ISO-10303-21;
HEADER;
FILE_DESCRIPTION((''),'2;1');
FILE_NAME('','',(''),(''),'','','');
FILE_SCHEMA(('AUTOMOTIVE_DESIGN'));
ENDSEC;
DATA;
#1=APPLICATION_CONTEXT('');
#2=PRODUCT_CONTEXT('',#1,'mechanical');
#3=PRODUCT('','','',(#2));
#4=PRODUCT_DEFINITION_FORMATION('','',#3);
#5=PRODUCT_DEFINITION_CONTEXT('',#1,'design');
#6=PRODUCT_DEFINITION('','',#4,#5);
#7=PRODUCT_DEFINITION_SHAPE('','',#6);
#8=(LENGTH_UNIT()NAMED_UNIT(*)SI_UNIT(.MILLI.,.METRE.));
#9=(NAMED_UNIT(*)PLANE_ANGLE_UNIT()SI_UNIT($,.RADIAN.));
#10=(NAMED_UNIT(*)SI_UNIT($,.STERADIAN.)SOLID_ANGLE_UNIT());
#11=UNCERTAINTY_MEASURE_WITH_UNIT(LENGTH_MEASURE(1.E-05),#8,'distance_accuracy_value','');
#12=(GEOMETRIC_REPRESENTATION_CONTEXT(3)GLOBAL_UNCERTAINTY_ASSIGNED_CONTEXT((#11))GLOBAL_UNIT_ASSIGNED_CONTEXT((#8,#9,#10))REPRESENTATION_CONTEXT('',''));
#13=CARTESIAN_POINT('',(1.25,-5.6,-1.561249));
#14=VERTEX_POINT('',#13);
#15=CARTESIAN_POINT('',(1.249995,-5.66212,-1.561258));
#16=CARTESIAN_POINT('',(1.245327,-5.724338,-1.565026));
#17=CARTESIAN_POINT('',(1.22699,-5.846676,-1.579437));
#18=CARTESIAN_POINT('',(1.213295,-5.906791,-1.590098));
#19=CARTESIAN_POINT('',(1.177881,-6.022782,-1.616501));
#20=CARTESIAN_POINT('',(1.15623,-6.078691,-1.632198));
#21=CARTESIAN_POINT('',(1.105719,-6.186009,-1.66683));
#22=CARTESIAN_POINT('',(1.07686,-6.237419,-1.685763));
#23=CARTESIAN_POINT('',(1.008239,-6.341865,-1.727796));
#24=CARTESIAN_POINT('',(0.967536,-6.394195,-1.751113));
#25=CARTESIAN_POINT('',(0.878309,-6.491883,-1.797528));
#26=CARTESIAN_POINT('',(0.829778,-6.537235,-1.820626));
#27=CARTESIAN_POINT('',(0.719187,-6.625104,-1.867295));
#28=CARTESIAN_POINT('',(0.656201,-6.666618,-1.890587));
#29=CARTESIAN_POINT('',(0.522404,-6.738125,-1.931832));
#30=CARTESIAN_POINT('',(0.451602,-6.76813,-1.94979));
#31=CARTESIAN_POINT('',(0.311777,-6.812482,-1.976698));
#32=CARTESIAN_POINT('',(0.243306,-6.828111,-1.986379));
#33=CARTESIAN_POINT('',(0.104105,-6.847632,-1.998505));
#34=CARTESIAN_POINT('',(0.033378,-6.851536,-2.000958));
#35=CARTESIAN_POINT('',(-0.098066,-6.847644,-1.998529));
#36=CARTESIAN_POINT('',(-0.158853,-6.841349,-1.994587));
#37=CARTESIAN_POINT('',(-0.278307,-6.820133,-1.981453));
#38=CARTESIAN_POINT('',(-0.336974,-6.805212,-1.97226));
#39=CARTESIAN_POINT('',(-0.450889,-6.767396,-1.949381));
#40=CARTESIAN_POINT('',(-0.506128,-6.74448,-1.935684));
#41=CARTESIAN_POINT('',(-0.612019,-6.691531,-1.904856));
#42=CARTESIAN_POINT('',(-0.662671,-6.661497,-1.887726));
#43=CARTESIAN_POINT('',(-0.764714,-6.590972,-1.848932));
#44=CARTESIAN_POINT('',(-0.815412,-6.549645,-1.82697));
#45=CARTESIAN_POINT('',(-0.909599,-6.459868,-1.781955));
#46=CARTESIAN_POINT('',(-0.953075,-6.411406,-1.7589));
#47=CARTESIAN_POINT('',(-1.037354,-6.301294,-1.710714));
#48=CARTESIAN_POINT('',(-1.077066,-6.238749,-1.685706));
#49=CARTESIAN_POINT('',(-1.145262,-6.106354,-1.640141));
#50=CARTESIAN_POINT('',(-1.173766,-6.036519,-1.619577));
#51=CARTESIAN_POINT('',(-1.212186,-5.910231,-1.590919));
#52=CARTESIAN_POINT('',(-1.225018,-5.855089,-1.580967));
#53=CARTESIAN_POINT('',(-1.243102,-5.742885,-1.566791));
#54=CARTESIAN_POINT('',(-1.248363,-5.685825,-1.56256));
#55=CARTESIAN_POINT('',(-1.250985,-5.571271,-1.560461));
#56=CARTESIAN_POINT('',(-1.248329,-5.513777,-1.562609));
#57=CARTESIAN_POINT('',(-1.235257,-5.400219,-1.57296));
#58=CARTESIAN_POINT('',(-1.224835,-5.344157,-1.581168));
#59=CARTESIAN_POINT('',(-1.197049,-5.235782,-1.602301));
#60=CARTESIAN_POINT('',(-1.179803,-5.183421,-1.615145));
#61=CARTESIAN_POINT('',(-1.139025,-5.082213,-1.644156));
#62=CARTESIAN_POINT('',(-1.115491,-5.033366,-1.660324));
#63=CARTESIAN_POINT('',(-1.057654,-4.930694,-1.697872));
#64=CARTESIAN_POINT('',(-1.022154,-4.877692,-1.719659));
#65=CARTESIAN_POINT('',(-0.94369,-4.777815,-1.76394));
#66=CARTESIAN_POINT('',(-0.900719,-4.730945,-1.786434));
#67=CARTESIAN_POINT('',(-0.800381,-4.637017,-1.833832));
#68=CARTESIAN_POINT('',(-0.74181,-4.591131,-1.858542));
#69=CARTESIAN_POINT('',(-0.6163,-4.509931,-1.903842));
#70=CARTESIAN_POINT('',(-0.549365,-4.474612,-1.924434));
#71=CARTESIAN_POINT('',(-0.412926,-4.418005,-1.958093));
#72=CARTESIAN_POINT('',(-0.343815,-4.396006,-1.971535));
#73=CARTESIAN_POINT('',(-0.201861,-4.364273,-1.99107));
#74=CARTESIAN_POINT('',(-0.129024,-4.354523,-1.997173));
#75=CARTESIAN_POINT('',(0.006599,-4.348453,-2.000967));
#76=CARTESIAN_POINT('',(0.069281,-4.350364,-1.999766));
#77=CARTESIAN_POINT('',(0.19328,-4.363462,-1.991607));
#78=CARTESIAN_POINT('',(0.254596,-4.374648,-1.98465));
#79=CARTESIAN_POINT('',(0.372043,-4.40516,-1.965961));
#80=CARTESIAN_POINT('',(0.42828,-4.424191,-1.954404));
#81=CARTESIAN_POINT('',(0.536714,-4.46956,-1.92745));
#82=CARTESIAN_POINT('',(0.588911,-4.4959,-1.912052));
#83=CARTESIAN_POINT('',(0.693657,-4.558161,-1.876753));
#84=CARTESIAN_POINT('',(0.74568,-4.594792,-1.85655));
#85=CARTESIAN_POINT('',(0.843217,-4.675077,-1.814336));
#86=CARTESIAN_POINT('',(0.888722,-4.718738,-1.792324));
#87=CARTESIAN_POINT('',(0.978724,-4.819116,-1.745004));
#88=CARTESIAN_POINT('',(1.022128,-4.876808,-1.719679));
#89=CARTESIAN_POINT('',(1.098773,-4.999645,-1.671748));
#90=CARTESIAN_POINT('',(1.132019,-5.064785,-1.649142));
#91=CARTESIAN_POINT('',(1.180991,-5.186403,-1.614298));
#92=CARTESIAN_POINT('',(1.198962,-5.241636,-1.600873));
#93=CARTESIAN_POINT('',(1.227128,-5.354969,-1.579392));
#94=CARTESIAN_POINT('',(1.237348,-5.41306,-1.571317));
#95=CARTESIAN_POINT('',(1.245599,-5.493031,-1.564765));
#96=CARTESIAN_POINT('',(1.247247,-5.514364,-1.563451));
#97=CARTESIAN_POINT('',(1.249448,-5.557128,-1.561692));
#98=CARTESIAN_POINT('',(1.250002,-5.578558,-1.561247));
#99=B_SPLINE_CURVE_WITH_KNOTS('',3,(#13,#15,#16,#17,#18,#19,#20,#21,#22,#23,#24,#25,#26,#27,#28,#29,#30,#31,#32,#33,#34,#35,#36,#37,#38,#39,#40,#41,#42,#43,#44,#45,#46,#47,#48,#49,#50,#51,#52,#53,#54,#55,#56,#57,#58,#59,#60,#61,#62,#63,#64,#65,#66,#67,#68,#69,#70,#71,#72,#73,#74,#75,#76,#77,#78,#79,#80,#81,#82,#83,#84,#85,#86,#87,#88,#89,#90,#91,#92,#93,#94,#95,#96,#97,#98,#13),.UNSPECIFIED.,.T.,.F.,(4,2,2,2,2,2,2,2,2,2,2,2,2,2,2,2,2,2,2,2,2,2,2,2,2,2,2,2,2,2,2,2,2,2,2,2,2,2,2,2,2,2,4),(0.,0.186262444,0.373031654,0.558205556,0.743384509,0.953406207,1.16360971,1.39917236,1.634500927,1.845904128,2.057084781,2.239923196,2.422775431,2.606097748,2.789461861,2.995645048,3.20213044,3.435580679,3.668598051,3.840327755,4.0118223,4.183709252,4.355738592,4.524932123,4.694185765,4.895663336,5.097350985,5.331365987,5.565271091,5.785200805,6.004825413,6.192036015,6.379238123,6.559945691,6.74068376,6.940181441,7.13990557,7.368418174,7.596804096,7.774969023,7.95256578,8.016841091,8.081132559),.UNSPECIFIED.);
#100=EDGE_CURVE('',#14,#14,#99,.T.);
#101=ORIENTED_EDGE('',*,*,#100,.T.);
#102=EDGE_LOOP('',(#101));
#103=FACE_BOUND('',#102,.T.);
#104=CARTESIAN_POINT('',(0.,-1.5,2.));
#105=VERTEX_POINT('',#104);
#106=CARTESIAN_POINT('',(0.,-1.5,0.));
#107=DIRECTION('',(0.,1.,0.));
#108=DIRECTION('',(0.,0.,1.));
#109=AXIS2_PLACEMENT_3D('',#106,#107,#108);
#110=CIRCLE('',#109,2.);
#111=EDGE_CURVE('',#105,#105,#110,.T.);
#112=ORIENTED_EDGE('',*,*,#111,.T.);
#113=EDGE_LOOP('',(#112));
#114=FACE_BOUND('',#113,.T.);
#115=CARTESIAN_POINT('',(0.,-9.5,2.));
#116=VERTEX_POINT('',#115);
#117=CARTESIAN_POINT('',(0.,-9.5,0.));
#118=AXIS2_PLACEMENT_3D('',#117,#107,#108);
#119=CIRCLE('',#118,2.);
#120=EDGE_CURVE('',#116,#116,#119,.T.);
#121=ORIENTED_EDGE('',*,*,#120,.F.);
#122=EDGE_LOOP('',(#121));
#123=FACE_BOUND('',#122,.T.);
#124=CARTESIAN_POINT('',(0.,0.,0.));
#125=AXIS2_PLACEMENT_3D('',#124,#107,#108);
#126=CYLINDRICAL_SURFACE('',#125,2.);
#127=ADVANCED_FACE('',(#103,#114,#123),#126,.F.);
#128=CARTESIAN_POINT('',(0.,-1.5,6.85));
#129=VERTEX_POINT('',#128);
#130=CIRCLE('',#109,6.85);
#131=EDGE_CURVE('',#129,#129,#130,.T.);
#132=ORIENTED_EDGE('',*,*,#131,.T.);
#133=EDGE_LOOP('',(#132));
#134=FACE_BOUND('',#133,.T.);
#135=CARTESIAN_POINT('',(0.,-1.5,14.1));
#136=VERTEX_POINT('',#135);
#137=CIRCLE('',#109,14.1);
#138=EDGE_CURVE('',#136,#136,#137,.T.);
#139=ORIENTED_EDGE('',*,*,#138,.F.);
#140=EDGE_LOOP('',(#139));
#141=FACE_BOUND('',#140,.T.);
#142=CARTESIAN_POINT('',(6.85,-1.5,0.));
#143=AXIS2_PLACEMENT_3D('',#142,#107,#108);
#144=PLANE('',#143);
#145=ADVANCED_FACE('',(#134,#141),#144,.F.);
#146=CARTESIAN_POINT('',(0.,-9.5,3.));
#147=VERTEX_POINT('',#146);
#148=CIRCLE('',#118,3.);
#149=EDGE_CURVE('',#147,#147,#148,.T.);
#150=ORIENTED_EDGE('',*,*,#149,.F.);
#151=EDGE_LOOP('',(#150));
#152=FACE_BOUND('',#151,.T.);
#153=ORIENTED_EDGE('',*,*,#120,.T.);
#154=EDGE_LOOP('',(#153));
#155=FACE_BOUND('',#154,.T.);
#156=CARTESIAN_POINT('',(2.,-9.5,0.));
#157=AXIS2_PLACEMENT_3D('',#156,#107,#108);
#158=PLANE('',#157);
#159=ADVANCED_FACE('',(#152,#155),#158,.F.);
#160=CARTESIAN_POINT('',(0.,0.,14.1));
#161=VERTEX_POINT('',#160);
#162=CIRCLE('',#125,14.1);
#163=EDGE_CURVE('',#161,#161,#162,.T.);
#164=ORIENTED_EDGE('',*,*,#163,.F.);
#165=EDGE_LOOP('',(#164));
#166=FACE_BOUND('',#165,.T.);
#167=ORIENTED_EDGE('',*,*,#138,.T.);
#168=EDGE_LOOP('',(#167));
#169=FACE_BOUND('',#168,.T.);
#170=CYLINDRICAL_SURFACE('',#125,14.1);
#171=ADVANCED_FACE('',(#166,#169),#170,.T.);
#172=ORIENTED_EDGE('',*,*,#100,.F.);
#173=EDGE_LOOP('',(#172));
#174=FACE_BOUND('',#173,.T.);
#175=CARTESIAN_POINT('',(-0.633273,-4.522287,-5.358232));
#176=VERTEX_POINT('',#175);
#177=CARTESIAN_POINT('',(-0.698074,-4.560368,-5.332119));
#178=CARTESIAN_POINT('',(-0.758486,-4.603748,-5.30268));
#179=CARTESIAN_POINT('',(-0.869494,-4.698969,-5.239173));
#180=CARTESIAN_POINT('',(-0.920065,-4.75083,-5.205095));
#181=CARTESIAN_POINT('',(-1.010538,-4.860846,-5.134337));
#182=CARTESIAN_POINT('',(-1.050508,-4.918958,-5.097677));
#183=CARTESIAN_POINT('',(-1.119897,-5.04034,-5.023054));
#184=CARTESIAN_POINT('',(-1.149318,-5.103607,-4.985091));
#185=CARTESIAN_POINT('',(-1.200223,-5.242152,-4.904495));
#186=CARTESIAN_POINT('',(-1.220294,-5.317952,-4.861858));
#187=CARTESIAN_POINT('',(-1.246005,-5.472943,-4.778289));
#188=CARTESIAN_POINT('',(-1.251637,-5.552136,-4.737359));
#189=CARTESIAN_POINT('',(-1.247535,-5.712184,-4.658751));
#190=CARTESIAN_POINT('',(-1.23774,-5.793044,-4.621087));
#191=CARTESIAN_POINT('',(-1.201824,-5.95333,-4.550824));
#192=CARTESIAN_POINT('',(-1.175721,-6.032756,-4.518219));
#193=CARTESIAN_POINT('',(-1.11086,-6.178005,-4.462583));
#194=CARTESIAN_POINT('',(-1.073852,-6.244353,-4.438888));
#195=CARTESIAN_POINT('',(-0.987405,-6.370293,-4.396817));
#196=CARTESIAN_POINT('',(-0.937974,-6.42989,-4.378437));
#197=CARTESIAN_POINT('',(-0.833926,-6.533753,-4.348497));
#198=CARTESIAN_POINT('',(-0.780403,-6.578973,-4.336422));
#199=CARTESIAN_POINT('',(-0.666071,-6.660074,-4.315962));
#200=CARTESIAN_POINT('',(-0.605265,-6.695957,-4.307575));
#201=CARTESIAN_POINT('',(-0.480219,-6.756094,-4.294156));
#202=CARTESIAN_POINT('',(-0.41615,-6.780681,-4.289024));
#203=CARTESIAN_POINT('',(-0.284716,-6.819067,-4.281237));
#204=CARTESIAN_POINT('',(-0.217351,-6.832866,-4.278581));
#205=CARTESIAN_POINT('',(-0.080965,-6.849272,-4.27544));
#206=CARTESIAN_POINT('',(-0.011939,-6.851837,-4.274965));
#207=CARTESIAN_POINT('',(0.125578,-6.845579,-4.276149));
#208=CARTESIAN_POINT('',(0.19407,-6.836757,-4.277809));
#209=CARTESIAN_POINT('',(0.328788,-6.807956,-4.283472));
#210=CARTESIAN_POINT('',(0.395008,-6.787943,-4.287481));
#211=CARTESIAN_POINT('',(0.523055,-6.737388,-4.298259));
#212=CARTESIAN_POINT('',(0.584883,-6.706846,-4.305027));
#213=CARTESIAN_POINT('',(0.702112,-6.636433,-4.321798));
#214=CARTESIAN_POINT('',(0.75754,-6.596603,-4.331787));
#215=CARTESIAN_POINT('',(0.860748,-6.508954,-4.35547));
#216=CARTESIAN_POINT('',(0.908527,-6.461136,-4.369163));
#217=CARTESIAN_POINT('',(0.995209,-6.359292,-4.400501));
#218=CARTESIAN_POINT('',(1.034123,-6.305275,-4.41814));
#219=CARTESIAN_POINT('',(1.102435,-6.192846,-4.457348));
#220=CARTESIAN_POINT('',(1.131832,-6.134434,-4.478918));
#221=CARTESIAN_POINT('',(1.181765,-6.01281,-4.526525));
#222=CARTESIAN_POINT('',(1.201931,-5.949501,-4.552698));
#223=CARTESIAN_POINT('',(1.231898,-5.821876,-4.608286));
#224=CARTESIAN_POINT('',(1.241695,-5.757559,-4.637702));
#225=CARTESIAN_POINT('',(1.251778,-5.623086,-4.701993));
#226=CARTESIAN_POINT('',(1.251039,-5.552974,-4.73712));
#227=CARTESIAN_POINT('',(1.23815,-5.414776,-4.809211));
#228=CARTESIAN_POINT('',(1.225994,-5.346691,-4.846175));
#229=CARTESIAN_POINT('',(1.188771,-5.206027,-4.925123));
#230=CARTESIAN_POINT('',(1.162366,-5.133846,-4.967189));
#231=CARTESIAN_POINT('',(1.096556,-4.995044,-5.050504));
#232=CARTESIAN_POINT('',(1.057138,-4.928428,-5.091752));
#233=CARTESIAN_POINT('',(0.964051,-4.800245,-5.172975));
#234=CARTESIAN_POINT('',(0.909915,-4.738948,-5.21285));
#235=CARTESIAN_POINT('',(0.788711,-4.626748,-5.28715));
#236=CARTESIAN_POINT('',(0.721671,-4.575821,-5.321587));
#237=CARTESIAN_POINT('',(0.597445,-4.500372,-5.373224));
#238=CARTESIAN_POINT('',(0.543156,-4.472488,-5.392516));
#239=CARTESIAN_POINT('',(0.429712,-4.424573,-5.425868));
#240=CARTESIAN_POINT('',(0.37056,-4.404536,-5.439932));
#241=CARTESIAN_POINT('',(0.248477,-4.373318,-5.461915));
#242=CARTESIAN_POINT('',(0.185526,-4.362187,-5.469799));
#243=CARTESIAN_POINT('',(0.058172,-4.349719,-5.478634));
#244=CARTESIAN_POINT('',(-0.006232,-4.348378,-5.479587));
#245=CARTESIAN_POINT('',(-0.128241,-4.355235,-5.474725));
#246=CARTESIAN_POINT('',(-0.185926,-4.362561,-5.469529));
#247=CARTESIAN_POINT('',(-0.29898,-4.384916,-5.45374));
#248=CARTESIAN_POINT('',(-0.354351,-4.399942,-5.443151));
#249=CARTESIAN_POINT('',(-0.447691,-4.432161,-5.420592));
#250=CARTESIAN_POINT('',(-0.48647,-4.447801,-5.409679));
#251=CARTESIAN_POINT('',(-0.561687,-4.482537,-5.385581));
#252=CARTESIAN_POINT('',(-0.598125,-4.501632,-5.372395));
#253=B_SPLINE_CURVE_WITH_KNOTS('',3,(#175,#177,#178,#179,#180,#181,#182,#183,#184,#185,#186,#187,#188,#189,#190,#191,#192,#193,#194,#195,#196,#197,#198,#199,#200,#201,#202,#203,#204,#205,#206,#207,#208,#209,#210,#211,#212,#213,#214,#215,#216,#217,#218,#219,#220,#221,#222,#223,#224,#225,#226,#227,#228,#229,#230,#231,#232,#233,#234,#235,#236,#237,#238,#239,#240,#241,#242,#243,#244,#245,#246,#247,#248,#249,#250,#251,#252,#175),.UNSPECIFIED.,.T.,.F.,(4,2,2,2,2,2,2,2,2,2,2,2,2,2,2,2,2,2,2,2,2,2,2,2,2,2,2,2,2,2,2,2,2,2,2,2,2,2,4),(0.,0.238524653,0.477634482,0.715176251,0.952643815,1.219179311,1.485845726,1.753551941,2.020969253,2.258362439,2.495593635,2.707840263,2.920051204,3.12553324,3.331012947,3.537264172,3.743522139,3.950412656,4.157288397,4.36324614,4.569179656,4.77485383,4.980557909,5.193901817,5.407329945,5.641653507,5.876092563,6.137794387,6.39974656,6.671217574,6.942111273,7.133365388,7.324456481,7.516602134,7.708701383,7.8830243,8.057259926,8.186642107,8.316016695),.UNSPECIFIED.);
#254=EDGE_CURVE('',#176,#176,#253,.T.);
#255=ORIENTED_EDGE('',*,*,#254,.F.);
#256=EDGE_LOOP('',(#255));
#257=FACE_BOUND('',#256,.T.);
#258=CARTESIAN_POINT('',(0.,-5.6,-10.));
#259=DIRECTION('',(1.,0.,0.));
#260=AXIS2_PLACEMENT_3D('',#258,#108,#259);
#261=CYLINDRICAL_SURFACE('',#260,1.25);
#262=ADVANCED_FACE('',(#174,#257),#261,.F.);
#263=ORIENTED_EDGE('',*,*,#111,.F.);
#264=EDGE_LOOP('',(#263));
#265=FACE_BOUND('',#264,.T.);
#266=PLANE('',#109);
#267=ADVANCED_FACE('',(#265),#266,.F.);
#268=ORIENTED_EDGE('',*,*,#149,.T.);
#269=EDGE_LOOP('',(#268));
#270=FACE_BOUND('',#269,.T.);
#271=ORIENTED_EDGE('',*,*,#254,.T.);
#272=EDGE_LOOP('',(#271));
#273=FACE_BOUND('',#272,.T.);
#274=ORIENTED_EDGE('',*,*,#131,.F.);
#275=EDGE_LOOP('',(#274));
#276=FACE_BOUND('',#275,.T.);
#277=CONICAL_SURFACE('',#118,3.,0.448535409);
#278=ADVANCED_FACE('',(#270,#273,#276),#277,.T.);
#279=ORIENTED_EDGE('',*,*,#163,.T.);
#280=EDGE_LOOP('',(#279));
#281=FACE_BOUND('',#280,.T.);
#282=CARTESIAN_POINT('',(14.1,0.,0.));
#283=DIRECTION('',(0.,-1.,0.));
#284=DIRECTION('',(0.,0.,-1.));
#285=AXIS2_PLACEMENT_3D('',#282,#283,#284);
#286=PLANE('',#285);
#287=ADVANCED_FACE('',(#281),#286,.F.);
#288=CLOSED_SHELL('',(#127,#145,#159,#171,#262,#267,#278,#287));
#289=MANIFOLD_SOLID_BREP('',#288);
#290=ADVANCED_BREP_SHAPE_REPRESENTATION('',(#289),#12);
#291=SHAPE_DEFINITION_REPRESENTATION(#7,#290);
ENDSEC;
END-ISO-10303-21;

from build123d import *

# Parameters (mm, degrees)
SKETCH2_R          = 1.25
CUT_EXTRUDE1_DEPTH = 10


with BuildPart() as part:
    # Sketch1 → Revolve1 (revolve)
    with BuildSketch(Plane.XY, mode=Mode.PRIVATE) as revolve1_sk:
        Polygon((0, 0), (0, -1.5), (2, -1.5), (2, -9.5), (3, -9.5), (6.85, -1.5), (14.1, -1.5), (14.1, 0), align=None)
    revolve(revolve1_sk.sketch.rotate(Axis((0, 0, 0), (0, -1, 0)), 90), axis=Axis((0, 0, 0), (0, -1, 0)))

    # Sketch2 → Cut-Extrude1 (cut)
    with BuildSketch(Plane.XY):
        with Locations((0, -5.6)):
            Circle(SKETCH2_R)
    extrude(amount=-CUT_EXTRUDE1_DEPTH, mode=Mode.SUBTRACT)


solid = part.part
